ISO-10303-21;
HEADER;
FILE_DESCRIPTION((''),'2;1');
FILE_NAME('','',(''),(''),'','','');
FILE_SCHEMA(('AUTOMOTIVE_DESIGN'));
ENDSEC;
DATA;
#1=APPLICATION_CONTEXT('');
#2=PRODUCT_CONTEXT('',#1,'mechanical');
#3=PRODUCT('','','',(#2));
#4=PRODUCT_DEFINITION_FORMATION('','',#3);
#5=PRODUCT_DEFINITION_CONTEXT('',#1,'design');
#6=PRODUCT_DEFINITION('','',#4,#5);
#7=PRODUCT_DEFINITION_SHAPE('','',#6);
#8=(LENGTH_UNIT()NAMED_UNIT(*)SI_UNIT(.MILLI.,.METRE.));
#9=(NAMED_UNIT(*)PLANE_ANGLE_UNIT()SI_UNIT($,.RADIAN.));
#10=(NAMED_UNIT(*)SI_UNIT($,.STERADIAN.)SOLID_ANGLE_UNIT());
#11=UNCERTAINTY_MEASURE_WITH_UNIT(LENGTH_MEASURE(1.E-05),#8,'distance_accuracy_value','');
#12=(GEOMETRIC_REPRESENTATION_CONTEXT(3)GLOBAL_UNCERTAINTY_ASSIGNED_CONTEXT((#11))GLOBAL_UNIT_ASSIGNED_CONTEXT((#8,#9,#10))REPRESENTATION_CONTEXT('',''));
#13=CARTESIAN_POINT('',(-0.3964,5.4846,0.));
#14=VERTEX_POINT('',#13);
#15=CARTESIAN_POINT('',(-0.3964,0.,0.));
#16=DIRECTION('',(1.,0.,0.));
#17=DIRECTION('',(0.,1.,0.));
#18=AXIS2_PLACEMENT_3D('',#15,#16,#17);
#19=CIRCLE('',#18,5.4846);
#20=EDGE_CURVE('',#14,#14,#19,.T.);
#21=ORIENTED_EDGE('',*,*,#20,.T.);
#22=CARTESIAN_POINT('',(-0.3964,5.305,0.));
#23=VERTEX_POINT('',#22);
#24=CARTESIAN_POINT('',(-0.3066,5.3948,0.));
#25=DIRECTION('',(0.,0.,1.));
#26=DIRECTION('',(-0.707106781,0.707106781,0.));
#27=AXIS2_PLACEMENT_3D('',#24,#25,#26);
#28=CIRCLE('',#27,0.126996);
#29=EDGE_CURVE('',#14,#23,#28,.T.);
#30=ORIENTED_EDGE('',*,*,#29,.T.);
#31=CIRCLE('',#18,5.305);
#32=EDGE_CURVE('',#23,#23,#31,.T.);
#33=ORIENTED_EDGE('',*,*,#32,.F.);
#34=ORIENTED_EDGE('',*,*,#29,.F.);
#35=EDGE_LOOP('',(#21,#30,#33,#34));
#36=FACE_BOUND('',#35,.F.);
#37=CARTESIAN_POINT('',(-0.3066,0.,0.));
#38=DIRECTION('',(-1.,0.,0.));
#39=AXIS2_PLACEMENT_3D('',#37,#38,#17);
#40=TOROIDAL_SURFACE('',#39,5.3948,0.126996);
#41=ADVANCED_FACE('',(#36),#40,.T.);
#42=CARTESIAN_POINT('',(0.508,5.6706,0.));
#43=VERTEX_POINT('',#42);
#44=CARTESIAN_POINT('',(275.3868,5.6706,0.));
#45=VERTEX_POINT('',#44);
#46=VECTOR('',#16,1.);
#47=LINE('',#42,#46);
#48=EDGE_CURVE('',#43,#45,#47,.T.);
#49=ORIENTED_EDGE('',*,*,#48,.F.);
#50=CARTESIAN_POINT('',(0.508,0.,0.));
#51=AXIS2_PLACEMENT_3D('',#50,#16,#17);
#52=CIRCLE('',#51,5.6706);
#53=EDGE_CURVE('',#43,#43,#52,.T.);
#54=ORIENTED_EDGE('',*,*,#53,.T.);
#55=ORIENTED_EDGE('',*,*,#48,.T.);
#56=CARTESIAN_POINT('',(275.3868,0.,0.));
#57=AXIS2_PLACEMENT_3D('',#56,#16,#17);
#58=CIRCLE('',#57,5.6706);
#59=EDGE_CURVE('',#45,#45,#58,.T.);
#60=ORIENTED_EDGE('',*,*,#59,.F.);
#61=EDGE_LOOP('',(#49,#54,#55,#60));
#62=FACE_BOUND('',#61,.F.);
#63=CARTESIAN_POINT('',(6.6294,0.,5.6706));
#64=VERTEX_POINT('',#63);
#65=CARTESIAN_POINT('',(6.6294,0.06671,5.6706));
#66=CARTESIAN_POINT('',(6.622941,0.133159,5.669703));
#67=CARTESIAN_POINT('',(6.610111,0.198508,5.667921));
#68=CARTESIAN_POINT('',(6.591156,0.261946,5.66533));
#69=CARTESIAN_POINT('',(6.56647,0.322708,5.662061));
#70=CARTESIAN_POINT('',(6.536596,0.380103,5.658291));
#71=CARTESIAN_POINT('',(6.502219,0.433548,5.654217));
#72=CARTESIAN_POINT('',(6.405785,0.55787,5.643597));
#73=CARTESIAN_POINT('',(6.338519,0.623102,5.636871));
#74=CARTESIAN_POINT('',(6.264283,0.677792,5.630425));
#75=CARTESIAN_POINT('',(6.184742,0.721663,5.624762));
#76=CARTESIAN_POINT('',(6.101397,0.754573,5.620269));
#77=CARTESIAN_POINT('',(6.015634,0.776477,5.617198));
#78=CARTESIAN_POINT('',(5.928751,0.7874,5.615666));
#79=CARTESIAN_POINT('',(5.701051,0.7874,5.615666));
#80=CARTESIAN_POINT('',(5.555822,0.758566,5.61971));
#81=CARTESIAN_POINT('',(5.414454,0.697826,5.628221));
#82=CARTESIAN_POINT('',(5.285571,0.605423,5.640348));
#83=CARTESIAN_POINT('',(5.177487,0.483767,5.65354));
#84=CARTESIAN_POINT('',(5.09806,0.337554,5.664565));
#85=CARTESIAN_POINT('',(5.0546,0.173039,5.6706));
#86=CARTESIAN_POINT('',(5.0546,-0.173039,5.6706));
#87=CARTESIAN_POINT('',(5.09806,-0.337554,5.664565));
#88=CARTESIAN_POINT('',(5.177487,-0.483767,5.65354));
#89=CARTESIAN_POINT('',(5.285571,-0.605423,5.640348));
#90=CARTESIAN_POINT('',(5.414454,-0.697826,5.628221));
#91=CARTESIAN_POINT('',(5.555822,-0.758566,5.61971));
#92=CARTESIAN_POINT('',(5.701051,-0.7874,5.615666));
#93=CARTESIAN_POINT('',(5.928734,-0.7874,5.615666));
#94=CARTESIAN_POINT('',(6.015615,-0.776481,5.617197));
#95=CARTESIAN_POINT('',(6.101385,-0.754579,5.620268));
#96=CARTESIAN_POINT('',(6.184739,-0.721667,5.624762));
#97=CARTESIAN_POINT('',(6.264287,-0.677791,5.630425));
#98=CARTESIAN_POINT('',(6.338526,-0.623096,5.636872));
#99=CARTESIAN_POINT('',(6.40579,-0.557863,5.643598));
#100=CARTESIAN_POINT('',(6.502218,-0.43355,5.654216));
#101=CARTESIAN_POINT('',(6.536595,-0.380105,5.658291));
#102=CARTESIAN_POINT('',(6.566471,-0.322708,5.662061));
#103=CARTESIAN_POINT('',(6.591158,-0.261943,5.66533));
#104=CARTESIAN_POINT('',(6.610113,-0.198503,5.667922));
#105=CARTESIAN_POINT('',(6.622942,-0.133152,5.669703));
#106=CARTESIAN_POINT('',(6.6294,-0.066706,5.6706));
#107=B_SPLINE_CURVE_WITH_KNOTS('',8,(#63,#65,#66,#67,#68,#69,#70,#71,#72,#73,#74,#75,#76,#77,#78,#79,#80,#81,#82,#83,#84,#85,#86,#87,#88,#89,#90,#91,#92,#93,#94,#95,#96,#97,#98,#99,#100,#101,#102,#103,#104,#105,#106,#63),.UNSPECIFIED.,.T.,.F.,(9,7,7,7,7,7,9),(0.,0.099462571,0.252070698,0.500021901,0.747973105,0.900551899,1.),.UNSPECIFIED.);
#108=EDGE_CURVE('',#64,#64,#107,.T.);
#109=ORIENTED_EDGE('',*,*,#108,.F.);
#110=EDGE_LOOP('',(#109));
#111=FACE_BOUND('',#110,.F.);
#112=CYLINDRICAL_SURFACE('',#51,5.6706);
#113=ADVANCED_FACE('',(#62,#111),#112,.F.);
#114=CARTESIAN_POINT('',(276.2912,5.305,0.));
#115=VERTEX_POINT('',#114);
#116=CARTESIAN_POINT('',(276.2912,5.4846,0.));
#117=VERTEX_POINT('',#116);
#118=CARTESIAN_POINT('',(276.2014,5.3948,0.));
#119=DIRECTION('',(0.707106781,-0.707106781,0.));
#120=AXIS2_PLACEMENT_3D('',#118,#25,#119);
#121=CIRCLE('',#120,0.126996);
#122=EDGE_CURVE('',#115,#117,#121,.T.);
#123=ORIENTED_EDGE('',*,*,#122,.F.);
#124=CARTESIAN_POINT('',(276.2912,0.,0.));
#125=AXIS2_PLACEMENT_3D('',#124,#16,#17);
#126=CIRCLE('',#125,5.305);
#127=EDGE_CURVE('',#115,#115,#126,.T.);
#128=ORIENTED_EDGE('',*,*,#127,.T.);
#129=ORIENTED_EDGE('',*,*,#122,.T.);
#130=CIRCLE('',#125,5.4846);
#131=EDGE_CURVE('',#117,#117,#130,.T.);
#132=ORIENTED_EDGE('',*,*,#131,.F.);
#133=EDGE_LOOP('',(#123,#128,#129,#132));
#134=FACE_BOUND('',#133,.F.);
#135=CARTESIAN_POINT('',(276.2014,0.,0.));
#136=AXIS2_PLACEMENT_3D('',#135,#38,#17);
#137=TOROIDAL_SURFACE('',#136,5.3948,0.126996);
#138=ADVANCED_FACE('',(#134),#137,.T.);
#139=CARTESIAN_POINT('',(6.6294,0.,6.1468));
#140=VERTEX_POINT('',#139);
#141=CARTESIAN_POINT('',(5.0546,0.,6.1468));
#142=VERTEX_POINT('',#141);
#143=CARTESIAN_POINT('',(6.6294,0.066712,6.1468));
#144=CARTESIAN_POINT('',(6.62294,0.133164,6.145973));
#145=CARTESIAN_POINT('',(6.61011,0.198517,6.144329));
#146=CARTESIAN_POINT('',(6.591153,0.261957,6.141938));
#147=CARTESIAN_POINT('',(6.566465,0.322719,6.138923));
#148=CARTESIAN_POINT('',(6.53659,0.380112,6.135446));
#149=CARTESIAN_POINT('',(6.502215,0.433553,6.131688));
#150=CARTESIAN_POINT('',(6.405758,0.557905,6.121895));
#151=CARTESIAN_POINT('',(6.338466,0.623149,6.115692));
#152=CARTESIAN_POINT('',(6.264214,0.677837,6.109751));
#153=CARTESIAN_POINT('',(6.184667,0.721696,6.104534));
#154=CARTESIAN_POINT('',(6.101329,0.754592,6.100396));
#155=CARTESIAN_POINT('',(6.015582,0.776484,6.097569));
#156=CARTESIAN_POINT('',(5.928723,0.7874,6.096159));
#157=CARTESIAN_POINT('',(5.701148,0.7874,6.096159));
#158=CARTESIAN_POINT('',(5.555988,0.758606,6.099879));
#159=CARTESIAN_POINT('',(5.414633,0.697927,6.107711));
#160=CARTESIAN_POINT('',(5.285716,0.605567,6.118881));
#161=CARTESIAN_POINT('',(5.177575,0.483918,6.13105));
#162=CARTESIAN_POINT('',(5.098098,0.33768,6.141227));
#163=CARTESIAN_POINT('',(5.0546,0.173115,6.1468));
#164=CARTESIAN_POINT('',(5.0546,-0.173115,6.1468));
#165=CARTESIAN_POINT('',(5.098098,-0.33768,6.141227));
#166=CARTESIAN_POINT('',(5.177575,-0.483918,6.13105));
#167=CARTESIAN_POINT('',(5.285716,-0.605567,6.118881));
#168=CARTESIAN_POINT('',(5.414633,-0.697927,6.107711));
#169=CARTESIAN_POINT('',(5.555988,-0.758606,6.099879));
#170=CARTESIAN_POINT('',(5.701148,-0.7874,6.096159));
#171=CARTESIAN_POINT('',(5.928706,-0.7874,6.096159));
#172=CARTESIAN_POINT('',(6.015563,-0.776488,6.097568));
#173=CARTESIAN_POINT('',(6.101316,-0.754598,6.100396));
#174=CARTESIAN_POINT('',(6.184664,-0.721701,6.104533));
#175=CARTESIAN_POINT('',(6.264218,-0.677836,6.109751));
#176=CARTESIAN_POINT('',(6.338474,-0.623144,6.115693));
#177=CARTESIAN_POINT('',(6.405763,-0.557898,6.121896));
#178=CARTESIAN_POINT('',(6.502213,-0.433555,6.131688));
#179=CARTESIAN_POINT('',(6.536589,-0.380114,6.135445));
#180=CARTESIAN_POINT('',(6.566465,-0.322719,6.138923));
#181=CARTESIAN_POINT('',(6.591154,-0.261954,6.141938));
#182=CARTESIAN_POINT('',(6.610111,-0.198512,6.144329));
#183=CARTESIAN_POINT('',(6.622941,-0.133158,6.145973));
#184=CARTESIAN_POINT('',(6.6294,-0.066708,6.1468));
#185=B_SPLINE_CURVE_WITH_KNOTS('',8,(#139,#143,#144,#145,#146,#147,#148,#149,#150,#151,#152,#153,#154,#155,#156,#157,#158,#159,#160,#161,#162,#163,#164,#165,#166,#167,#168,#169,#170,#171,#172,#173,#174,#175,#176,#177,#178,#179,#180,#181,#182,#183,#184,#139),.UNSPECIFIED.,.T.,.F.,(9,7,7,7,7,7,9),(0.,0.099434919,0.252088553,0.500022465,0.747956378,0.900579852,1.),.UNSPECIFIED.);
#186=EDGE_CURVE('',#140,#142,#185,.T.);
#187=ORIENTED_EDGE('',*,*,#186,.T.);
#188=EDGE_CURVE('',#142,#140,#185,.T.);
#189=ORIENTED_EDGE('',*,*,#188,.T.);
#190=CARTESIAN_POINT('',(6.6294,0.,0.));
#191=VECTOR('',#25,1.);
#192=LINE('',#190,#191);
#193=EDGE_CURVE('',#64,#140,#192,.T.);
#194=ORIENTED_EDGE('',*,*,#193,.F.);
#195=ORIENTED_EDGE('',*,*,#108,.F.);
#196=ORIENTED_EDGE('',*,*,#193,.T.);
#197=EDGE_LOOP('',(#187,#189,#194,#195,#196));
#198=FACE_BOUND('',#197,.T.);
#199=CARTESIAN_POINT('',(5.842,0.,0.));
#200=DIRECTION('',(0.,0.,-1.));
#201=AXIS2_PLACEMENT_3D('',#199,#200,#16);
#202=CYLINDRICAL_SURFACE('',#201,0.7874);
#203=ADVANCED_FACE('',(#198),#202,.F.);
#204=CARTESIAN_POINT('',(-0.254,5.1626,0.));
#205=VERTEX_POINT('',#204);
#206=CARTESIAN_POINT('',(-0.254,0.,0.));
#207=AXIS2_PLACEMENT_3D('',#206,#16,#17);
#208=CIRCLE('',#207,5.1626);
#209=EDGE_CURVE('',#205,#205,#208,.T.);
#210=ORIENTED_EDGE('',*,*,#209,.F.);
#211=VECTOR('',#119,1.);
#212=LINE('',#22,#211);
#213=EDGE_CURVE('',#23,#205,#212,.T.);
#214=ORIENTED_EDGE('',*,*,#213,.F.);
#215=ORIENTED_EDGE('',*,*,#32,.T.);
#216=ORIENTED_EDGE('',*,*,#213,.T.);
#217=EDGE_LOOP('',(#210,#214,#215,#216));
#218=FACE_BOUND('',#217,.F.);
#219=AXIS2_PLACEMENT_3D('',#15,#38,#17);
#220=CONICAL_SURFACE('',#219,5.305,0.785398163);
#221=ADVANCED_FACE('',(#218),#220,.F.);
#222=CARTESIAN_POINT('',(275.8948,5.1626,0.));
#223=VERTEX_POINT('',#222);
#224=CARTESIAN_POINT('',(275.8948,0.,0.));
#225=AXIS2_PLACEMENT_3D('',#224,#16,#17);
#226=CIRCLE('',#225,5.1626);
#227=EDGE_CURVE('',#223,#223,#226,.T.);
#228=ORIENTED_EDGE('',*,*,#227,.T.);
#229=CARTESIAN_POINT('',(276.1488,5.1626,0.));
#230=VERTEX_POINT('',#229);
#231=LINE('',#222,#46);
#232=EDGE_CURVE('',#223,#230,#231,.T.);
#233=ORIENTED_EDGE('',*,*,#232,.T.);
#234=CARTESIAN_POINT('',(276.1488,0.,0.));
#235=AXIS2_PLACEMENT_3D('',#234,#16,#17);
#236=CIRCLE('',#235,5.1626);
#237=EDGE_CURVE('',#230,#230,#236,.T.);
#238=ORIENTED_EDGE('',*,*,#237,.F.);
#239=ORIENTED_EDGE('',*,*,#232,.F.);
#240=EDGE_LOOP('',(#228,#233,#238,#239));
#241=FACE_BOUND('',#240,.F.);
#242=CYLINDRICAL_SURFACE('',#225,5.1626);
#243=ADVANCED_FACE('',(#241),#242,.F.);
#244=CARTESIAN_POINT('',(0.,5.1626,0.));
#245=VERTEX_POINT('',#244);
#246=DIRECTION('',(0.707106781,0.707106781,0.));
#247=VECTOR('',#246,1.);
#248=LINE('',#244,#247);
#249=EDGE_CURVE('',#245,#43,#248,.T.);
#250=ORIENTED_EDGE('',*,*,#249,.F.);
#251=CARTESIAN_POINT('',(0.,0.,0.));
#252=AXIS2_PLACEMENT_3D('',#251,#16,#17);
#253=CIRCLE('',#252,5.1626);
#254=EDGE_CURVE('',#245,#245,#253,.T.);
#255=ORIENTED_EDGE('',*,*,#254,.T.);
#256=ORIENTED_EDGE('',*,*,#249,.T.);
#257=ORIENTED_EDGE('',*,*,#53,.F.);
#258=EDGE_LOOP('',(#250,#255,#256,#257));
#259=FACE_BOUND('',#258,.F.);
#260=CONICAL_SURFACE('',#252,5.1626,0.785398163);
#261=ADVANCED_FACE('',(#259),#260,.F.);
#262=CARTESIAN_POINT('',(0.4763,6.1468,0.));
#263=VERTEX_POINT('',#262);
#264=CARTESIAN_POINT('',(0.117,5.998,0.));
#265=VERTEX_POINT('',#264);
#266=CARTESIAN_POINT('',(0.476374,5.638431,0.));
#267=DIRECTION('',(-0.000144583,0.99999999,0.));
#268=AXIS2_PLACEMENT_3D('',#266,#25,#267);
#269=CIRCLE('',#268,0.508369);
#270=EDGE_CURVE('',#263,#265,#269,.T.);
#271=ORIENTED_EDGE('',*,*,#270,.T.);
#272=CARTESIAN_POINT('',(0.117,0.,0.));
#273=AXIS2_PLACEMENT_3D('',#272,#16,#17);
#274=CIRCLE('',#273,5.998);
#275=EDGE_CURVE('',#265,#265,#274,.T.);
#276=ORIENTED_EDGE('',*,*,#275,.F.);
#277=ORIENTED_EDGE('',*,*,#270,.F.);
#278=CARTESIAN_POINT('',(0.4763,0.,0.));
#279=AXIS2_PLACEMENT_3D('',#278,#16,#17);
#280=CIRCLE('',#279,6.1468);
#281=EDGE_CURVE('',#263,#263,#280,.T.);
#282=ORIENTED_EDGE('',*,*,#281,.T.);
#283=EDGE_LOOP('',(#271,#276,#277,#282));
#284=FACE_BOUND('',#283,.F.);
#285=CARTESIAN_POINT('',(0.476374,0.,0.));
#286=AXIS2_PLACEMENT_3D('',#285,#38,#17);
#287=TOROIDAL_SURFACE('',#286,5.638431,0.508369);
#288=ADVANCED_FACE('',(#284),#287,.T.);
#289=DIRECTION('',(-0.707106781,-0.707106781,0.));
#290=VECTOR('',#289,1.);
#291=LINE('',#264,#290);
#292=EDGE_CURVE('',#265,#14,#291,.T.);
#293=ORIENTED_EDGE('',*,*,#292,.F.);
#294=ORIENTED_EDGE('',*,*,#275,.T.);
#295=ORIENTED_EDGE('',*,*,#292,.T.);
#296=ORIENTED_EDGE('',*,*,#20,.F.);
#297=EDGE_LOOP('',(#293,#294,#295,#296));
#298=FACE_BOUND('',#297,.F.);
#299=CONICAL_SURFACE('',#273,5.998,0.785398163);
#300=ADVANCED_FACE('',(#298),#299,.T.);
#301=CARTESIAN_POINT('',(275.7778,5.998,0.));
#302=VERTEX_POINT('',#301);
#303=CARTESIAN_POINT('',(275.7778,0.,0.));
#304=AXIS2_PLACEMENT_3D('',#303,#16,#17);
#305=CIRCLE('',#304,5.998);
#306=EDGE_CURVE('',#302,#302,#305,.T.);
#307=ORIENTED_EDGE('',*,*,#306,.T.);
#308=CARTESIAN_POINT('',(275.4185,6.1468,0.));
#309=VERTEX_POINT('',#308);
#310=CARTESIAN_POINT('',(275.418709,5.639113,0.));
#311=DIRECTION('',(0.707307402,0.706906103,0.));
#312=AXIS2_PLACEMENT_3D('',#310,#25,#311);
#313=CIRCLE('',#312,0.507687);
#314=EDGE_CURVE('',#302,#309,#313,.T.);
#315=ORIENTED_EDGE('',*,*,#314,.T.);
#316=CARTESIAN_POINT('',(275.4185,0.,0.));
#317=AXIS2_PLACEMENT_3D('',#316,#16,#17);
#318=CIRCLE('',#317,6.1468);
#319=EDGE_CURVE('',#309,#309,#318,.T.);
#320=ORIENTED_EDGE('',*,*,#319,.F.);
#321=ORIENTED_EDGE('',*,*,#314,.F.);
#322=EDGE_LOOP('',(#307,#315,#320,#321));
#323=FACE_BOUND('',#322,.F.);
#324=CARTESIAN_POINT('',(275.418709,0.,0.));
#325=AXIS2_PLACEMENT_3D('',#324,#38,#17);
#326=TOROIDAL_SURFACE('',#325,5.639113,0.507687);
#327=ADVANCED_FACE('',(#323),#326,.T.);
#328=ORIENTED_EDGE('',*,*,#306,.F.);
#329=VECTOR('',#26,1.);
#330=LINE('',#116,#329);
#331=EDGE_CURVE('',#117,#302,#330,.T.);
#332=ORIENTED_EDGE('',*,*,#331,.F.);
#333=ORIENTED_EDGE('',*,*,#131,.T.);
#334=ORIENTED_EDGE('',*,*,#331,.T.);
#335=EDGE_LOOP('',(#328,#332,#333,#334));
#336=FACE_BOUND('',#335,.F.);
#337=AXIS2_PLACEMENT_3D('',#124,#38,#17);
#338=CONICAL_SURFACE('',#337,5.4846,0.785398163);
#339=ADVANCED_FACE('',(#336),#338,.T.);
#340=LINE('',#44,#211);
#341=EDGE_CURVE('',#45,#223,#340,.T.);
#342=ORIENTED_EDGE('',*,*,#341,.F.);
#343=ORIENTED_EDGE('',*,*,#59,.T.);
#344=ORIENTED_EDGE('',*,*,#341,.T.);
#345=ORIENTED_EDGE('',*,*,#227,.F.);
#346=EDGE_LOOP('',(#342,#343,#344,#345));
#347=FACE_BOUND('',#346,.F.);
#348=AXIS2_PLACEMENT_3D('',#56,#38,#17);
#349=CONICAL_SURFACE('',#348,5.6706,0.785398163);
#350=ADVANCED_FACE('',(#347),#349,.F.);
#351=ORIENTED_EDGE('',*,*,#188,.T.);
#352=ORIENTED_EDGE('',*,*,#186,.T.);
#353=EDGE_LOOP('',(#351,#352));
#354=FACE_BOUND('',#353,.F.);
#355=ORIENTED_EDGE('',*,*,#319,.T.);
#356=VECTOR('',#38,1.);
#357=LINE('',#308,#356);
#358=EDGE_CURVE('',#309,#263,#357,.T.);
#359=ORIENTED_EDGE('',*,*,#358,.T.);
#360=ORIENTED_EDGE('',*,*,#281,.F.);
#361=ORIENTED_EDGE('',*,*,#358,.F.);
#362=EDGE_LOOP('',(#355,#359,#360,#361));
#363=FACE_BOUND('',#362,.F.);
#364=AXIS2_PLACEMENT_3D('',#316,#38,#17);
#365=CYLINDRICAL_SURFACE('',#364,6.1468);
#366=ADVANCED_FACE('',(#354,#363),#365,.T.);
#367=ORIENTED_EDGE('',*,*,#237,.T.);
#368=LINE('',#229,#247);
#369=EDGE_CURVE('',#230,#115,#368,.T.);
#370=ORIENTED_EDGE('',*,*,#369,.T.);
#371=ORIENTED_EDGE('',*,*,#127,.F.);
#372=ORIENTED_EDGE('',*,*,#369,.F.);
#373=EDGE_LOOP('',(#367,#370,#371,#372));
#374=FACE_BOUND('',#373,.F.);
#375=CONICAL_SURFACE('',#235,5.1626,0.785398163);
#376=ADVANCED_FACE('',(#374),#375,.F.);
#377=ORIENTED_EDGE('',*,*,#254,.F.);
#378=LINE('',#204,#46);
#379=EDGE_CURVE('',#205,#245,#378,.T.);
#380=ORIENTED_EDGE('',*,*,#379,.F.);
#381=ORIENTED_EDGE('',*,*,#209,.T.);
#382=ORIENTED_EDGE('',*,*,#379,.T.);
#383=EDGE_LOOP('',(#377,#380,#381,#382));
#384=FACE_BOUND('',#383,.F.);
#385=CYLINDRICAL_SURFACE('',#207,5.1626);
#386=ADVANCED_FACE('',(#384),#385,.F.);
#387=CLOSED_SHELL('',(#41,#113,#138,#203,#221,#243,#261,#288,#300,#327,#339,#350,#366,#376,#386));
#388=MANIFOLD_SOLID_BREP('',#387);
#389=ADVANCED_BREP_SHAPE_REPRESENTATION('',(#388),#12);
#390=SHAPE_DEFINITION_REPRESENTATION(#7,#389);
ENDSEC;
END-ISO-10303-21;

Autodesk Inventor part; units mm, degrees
sketch "Sketch_1" plane through (0, 0, 0) normal (0, 0, 1) x (1, 0, 0)
  line L0 (275.8948, 0) -> (0, 0)
  arc A0 (-0.3964, 5.4846) -> (-0.3964, 5.305) centre (-0.3066, 5.3948) ccw
  line L1 (-0.3964, 5.305) -> (-0.254, 5.1626)
  line L2 (-0.254, 5.1626) -> (0, 5.1626)
  line L3 (0, 5.1626) -> (0.508, 5.6706)
  line L4 (0.508, 5.6706) -> (275.3868, 5.6706)
  line L5 (275.3868, 5.6706) -> (275.8948, 5.1626)
  line L6 (275.8948, 5.1626) -> (276.1488, 5.1626)
  line L7 (276.1488, 5.1626) -> (276.2912, 5.305)
  arc A1 (276.2912, 5.305) -> (276.2912, 5.4846) centre (276.2014, 5.3948) ccw
  line L8 (276.2912, 5.4846) -> (275.7778, 5.998)
  arc A2 (275.7778, 5.998) -> (275.4185, 6.1468) centre (275.4185, 5.6388) ccw
  line L9 (275.4185, 6.1468) -> (0.4763, 6.1468)
  arc A3 (0.4763, 6.1468) -> (0.117, 5.998) centre (0.4763, 5.6388) ccw
  line L10 (0.117, 5.998) -> (-0.3964, 5.4846)
revolve "Revolution1" add sketch "Sketch_1" angle 360 about axis through (275.8948, 0, 0) along (1, 0, 0)
sketch "Sketch_4" plane through (0, 0, 0) normal (0, 0, 1) x (1, 0, 0)
  circle A0 centre (5.842, 0) radius 0.7874
extrude "Extrusion1" cut sketch "Sketch_4" along normal blind 6.1468
ref_plane "cp1_XY" through (137.9474, 6.1468, 0) normal (1, 0, 0) x (0, 0, -1)
ref_plane "cp1_YZ" through (137.9474, 6.1468, 0) normal (0, 0, -1) x (0, 1, 0)
ref_plane "cp1_ZX" through (137.9474, 6.1468, 0) normal (0, 1, 0) x (1, 0, 0)
ref_plane "cp2_XY" through (137.9474, 0, -6.1468) normal (1, 0, 0) x (0, 0, -1)
ref_plane "cp2_YZ" through (137.9474, 0, -6.1468) normal (0, 0, -1) x (0, 1, 0)
ref_plane "cp2_ZX" through (137.9474, 0, -6.1468) normal (0, 1, 0) x (1, 0, 0)
ref_plane "cp3_XY" through (137.9474, -6.1468, 0) normal (1, 0, 0) x (0, 0, -1)
ref_plane "cp3_YZ" through (137.9474, -6.1468, 0) normal (0, 0, -1) x (0, 1, 0)
ref_plane "cp3_ZX" through (137.9474, -6.1468, 0) normal (0, 1, 0) x (1, 0, 0)
ref_plane "cp4_XY" through (137.9474, 0, 6.1468) normal (1, 0, 0) x (0, 0, -1)
ref_plane "cp4_YZ" through (137.9474, 0, 6.1468) normal (0, 0, -1) x (0, 1, 0)
ref_plane "cp4_ZX" through (137.9474, 0, 6.1468) normal (0, 1, 0) x (1, 0, 0)
ref_plane "tube_front_XY" through (0, 0, 0) normal (1, 0, 0) x (0, 0, -1)
ref_plane "tube_front_YZ" through (0, 0, 0) normal (0, 0, -1) x (0, 1, 0)
ref_plane "tube_front_ZX" through (0, 0, 0) normal (0, 1, 0) x (1, 0, 0)
ref_plane "tube_rear_XY" through (275.8948, 0, 0) normal (1, 0, 0) x (0, 0, -1)
ref_plane "tube_rear_YZ" through (275.8948, 0, 0) normal (0, 0, -1) x (0, 1, 0)
ref_plane "tube_rear_ZX" through (275.8948, 0, 0) normal (0, 1, 0) x (1, 0, 0)
properties part number "01-10.8622"
